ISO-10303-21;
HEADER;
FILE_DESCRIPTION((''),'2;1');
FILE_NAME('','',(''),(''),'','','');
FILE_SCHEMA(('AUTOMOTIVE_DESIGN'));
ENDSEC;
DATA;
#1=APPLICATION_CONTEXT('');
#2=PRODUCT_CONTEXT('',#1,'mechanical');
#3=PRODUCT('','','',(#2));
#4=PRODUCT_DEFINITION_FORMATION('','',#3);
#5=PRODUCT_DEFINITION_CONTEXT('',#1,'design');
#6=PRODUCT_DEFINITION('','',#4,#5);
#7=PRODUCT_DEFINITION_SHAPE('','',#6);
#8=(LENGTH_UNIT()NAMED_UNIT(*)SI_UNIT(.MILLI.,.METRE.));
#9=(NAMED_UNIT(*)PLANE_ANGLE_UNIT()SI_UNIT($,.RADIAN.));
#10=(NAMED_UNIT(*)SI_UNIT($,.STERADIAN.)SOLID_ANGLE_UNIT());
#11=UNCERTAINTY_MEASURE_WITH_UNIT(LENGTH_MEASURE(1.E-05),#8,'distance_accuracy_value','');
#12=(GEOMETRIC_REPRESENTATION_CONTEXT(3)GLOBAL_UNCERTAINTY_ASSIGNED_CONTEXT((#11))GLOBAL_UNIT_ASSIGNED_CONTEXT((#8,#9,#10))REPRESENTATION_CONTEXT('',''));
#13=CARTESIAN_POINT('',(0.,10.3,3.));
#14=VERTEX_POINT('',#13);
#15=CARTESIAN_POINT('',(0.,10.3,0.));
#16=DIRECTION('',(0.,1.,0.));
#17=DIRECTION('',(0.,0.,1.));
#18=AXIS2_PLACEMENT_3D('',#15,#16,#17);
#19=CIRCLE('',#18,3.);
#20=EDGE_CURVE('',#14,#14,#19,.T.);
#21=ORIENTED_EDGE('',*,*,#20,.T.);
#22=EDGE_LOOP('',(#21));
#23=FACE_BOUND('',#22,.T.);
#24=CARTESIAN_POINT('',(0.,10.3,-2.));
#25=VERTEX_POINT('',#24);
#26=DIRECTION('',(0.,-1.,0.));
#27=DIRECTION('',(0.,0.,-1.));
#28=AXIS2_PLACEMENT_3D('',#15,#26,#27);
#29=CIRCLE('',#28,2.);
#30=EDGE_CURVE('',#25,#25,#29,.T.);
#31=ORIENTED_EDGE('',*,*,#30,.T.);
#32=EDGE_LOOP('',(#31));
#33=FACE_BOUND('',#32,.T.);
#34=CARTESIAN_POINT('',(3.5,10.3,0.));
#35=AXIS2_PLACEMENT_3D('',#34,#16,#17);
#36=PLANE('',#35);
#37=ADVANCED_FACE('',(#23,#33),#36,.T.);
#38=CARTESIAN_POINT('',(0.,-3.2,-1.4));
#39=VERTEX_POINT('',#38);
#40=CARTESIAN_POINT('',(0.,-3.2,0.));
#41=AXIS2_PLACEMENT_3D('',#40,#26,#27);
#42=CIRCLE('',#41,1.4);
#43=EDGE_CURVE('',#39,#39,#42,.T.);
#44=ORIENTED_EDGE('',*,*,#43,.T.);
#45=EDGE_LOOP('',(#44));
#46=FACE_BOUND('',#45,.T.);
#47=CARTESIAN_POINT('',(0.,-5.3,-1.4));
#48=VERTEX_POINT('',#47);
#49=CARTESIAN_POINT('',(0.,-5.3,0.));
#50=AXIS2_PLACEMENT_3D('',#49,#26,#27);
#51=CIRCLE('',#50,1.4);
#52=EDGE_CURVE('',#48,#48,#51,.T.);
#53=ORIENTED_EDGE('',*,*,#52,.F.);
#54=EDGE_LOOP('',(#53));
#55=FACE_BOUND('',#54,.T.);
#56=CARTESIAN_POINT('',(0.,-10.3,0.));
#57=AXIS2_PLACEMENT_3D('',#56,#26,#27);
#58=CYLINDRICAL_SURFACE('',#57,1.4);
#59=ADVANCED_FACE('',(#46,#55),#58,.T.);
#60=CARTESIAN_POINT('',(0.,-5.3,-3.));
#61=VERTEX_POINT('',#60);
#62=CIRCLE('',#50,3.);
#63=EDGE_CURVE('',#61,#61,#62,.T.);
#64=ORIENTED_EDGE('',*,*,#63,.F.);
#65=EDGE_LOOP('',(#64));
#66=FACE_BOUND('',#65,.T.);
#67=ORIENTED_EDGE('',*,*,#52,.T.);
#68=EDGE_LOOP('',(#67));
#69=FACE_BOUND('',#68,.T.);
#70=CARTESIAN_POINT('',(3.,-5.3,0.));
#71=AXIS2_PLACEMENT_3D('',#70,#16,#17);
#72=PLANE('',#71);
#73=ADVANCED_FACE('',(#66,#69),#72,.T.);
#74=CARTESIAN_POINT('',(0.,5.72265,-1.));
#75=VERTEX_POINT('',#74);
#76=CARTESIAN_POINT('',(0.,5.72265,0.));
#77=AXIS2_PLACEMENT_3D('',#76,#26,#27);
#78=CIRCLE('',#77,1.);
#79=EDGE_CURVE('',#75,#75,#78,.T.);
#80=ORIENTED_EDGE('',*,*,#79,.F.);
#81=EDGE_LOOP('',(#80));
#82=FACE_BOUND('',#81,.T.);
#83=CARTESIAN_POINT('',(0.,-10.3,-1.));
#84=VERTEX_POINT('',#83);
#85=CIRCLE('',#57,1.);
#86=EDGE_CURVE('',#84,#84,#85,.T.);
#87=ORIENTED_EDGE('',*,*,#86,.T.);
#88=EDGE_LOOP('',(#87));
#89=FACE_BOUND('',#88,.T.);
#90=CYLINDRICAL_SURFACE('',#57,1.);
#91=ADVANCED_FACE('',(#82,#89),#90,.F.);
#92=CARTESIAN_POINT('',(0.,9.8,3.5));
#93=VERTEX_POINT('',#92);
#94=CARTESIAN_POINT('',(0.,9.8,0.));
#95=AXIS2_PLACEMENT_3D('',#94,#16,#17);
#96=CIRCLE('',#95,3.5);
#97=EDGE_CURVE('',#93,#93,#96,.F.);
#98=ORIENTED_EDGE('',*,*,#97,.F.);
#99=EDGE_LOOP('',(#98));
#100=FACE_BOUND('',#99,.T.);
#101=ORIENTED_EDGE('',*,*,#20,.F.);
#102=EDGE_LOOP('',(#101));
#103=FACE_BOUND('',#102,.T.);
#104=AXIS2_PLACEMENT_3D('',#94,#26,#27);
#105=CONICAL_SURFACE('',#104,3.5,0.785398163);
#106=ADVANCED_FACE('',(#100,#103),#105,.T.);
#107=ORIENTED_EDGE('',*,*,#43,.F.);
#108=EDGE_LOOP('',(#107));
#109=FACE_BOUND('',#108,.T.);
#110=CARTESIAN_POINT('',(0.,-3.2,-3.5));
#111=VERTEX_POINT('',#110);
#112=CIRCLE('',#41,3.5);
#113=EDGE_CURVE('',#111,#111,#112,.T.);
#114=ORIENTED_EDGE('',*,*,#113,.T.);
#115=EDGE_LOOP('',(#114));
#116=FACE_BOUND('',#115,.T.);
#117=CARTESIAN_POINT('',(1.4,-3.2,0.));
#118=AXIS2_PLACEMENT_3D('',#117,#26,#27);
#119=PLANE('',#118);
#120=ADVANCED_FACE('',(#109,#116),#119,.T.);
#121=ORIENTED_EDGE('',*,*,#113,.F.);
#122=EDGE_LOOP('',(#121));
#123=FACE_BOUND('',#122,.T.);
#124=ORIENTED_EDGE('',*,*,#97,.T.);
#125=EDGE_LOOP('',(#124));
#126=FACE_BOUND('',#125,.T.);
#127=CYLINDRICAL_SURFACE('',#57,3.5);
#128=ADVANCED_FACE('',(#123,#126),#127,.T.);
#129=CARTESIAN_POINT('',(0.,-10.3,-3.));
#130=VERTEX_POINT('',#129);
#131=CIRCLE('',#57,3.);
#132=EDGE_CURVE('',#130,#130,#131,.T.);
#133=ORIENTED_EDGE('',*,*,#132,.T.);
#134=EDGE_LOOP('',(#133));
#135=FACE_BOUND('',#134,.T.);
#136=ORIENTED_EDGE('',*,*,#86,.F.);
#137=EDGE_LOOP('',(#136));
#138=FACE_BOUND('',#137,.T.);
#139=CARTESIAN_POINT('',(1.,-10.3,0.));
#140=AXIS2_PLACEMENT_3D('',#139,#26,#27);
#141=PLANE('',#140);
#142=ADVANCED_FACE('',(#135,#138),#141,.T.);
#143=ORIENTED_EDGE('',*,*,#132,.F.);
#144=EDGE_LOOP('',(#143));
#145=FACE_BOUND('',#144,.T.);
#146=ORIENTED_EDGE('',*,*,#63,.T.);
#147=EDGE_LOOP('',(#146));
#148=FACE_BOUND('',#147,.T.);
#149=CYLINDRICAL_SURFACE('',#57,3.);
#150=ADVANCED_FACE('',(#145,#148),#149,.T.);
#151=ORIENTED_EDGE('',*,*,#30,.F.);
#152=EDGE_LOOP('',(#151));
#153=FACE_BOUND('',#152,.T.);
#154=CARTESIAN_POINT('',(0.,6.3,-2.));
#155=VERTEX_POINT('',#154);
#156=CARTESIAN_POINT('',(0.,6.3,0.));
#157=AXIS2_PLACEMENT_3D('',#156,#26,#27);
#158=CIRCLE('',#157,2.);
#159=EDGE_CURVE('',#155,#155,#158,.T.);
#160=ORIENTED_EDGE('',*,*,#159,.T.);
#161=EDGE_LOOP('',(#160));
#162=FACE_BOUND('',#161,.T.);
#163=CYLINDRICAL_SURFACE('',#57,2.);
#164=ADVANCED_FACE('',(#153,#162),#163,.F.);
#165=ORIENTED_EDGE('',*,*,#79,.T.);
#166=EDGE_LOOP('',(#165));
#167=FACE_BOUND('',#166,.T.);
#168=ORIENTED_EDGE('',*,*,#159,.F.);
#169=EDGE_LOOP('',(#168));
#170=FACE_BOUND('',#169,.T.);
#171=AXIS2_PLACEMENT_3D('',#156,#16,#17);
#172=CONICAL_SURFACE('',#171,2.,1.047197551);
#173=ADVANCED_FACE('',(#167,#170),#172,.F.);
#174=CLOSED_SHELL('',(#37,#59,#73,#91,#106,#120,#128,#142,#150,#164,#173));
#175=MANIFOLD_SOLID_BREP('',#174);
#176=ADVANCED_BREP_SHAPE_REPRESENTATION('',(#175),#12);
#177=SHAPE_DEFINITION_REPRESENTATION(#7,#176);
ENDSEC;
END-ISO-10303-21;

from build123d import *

# Parameters (mm, degrees)
CHAMFER1_SIZE = 0.5


with BuildPart() as part:
    # Sketch1 → Revolve1 (revolve)
    with BuildSketch(Plane.XY):
        Polygon((1, -10.3), (3, -10.3), (3, -5.3), (1.4, -5.3), (1.4, -3.2), (3.5, -3.2), (3.5, 10.3), (2, 10.3), (2, 6.3), (1, 5.722649731), align=None)
    revolve(axis=Axis((0, -10.3, 0), (0, 1, 0)))

    # Chamfer1
    chamfer1_edges = [part.edges().sort_by_distance(p)[0] for p in [
        (-3.5, 10.3, 0),
    ]]
    chamfer(chamfer1_edges, length=CHAMFER1_SIZE)


solid = part.part
